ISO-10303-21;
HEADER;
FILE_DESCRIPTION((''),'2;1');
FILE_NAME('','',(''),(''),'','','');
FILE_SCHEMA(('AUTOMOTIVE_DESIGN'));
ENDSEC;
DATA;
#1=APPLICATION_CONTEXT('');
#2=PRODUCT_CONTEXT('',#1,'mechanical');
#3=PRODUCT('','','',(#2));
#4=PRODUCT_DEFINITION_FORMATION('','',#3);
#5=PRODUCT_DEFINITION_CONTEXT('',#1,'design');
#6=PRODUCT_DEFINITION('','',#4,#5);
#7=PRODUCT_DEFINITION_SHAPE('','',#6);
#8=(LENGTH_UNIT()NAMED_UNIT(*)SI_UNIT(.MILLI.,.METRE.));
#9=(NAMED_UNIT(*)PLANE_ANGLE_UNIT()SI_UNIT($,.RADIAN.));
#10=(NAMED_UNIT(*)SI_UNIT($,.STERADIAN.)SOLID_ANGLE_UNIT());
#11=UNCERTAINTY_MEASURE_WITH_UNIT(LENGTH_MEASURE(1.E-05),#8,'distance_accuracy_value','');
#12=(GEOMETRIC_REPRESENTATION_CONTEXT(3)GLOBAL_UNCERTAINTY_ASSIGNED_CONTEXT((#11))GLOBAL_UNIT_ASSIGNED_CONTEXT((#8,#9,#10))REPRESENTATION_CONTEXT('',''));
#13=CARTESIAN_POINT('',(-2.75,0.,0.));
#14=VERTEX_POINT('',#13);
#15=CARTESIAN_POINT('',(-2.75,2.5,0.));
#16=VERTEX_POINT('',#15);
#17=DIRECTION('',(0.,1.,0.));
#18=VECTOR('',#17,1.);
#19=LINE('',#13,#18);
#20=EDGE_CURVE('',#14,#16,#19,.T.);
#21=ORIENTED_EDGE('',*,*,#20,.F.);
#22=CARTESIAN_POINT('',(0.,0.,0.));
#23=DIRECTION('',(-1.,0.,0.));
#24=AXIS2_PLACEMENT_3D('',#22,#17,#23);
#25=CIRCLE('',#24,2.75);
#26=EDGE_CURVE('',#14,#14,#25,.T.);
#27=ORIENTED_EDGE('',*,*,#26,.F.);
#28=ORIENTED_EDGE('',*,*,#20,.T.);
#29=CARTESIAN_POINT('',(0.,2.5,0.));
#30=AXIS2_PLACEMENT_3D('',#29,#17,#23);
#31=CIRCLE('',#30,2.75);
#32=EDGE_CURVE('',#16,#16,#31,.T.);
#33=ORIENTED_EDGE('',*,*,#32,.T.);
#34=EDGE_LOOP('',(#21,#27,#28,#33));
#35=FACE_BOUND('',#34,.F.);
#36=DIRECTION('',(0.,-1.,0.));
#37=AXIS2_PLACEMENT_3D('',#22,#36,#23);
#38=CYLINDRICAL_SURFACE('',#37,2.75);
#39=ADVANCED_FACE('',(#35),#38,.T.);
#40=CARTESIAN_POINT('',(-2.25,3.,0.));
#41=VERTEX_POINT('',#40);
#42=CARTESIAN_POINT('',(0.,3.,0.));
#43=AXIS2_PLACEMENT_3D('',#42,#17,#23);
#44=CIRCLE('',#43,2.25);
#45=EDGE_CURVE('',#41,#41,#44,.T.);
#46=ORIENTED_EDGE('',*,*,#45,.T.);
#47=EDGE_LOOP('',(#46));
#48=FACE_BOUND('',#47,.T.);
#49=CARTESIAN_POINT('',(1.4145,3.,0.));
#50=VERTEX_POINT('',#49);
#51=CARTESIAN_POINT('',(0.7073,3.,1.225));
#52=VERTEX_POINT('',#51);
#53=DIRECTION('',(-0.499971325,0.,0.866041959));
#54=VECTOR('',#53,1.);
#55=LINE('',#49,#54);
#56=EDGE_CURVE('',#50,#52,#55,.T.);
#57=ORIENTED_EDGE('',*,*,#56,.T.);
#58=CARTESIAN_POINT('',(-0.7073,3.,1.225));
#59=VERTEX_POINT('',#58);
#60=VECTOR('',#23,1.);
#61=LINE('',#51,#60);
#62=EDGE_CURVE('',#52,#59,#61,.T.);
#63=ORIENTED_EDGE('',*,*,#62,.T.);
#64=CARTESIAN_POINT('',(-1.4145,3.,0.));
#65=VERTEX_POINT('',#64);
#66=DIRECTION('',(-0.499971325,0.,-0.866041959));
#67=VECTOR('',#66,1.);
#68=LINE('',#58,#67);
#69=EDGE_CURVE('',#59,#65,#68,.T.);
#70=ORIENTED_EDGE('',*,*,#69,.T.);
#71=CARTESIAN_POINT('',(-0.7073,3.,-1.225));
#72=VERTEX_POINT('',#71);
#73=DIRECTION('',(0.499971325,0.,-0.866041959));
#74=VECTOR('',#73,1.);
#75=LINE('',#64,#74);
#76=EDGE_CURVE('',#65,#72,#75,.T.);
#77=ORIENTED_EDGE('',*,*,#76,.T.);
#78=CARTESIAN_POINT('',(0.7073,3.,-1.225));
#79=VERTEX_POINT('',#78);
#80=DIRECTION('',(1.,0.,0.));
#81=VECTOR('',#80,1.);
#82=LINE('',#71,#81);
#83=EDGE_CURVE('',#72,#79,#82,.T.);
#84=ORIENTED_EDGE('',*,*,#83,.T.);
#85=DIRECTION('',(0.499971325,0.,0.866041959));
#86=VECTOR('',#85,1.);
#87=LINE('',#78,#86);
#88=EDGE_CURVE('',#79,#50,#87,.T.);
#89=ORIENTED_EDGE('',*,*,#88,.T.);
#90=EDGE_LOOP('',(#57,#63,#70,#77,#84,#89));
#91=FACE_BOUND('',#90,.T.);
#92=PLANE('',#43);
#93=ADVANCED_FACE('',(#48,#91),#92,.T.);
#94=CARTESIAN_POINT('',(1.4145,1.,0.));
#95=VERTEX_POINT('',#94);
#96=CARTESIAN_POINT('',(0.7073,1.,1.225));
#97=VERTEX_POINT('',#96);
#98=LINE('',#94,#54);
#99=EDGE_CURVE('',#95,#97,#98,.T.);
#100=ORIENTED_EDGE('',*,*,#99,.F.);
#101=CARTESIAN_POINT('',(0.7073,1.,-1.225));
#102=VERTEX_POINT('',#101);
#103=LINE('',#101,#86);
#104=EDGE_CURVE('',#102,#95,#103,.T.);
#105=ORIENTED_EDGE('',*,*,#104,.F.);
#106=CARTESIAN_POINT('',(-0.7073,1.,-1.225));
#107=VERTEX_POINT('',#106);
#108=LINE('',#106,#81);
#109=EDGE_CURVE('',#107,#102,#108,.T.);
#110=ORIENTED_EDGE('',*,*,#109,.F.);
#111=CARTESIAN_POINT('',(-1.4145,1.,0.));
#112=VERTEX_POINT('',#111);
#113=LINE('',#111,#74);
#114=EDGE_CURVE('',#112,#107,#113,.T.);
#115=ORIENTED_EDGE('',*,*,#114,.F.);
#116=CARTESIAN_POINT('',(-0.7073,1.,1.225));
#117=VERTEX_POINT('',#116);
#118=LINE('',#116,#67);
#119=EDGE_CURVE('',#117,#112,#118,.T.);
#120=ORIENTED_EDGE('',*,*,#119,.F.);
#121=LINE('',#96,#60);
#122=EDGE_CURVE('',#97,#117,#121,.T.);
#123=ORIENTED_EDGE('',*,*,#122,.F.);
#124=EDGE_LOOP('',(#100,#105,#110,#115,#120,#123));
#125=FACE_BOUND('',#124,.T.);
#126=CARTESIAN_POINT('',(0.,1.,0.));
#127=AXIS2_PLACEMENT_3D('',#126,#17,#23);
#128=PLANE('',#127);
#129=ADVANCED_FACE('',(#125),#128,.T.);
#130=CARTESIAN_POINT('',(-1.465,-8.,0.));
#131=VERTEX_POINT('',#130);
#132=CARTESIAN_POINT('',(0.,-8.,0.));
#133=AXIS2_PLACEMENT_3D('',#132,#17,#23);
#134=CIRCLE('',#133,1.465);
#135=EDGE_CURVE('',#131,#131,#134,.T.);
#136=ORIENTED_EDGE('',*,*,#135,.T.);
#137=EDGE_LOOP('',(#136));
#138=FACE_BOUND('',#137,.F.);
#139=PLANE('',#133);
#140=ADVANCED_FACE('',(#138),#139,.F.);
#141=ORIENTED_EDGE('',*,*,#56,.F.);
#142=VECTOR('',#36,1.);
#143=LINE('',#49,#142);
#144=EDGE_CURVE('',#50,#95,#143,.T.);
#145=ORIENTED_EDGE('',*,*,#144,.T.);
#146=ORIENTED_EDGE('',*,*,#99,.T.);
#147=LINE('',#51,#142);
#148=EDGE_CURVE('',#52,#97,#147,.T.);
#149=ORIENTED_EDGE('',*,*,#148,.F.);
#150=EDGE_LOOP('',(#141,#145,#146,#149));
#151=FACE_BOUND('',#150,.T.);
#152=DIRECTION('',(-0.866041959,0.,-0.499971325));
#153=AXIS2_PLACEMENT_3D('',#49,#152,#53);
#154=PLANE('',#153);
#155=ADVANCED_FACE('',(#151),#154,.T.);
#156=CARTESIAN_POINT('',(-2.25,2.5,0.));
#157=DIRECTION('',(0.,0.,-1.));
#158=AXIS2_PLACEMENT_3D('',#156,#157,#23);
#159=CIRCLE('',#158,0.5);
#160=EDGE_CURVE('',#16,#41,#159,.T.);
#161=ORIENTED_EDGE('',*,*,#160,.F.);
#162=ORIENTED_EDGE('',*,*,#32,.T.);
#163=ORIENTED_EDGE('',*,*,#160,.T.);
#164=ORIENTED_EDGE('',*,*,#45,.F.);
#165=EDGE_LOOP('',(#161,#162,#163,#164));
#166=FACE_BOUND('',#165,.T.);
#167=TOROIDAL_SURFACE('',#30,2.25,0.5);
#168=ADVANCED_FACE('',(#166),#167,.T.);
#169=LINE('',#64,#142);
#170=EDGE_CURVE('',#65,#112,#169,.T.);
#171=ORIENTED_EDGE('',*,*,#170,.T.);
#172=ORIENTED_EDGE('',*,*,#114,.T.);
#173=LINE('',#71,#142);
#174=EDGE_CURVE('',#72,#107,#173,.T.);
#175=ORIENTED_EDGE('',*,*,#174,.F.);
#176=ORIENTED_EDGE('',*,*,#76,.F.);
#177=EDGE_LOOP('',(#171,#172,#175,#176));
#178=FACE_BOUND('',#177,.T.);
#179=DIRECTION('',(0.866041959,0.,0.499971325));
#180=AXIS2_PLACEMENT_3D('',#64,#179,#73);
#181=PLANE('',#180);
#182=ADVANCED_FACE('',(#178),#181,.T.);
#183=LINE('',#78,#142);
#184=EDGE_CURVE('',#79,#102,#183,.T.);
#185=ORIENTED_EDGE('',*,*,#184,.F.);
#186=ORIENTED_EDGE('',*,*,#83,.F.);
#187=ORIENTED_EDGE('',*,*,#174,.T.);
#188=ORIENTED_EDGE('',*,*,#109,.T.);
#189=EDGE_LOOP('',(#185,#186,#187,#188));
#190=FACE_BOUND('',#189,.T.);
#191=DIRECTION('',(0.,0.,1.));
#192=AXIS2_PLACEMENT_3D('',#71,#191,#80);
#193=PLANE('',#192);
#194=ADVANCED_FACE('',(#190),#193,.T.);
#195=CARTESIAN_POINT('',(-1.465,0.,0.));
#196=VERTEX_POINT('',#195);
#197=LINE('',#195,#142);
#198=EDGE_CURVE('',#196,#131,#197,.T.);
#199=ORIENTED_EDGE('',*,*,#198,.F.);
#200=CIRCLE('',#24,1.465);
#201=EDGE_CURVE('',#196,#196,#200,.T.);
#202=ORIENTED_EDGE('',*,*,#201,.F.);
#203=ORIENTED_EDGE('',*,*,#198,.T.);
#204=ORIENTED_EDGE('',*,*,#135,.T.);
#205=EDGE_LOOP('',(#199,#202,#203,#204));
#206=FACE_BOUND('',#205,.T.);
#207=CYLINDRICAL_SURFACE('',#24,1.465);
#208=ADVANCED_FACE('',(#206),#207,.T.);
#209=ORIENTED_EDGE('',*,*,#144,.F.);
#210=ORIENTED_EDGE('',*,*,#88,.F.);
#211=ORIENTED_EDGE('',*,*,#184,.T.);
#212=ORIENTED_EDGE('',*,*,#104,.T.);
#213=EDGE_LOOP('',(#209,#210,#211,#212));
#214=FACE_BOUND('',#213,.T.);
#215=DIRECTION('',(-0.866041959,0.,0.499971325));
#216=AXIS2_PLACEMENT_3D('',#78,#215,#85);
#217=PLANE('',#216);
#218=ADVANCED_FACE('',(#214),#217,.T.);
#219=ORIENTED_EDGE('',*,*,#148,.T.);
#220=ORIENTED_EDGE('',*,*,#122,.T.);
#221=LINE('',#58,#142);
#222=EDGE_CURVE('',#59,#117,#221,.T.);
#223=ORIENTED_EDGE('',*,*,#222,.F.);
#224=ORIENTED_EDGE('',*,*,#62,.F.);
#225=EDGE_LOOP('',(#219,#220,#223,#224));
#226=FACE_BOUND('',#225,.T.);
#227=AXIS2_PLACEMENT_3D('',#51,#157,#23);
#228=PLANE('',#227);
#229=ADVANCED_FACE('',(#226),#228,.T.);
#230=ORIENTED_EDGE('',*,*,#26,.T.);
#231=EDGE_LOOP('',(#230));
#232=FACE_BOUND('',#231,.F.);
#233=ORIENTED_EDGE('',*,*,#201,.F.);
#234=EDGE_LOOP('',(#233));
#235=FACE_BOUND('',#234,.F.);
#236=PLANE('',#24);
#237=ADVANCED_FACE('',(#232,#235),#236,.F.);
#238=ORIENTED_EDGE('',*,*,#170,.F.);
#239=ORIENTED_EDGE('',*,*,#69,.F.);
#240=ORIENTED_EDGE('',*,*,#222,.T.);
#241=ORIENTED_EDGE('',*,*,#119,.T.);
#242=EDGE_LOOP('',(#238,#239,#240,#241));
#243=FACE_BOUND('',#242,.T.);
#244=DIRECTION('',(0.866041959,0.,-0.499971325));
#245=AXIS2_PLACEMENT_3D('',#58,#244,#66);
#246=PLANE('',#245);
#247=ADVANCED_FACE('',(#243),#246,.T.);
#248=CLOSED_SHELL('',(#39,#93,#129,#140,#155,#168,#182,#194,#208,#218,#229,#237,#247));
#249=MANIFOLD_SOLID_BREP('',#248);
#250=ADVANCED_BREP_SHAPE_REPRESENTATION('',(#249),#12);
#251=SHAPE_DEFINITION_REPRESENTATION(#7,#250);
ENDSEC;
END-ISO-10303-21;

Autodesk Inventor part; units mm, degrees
ref_plane "YZ Plane" through (0, 0, 0) normal (1, 0, 0) x (0, 1, 0)
ref_plane "XZ Plane" through (0, 0, 0) normal (0, 1, 0) x (-1, 0, 0)
ref_plane "XY Plane" through (0, 0, 0) normal (0, 0, 1) x (1, 0, 0)
sketch "Sketch1" plane through (0, 0, 0) normal (0, 1, 0) x (-1, 0, 0)
  circle A0 centre (0, 0) radius 1.465
  circle A1 centre (0, 0) radius 2.75
  line L0 (0.7073, -1.225) -> (-0.7073, -1.225)
  line L1 (-0.7073, -1.225) -> (-1.4145, 0)
  line L2 (-1.4145, 0) -> (-0.7073, 1.225)
  line L3 (-0.7073, 1.225) -> (0.7073, 1.225)
  line L4 (0.7073, 1.225) -> (1.4145, 0)
  line L5 (1.4145, 0) -> (0.7073, -1.225)
  dimension "d0" = 2.93
  dimension "d1" = 5.5
  dimension "d8" = 2.45
extrude "Extrusion1" add sketch "Sketch1" along normal blind 3 contours A0 | A1 | L0 L1 L2 L3 L4 L5
extrude "Extrusion2" add sketch "Sketch1" against normal blind 8 contours A0 | L0 L1 L2 L3 L4 L5
extrude "Extrusion3" cut sketch "Sketch1" against normal blind 2 from surface at 3 contours L0 L1 L2 L3 L4 L5
fillet "Fillet1" radius 0.5 1 edges at (2.75, 3, 0)
thread "Thread2" size "M3x0.5" class "6g" standard "ANSI Metric M Profile" full length
equation "\"d4\" = length"
equation "\"length\" = 8"
properties part number "M3x16"
